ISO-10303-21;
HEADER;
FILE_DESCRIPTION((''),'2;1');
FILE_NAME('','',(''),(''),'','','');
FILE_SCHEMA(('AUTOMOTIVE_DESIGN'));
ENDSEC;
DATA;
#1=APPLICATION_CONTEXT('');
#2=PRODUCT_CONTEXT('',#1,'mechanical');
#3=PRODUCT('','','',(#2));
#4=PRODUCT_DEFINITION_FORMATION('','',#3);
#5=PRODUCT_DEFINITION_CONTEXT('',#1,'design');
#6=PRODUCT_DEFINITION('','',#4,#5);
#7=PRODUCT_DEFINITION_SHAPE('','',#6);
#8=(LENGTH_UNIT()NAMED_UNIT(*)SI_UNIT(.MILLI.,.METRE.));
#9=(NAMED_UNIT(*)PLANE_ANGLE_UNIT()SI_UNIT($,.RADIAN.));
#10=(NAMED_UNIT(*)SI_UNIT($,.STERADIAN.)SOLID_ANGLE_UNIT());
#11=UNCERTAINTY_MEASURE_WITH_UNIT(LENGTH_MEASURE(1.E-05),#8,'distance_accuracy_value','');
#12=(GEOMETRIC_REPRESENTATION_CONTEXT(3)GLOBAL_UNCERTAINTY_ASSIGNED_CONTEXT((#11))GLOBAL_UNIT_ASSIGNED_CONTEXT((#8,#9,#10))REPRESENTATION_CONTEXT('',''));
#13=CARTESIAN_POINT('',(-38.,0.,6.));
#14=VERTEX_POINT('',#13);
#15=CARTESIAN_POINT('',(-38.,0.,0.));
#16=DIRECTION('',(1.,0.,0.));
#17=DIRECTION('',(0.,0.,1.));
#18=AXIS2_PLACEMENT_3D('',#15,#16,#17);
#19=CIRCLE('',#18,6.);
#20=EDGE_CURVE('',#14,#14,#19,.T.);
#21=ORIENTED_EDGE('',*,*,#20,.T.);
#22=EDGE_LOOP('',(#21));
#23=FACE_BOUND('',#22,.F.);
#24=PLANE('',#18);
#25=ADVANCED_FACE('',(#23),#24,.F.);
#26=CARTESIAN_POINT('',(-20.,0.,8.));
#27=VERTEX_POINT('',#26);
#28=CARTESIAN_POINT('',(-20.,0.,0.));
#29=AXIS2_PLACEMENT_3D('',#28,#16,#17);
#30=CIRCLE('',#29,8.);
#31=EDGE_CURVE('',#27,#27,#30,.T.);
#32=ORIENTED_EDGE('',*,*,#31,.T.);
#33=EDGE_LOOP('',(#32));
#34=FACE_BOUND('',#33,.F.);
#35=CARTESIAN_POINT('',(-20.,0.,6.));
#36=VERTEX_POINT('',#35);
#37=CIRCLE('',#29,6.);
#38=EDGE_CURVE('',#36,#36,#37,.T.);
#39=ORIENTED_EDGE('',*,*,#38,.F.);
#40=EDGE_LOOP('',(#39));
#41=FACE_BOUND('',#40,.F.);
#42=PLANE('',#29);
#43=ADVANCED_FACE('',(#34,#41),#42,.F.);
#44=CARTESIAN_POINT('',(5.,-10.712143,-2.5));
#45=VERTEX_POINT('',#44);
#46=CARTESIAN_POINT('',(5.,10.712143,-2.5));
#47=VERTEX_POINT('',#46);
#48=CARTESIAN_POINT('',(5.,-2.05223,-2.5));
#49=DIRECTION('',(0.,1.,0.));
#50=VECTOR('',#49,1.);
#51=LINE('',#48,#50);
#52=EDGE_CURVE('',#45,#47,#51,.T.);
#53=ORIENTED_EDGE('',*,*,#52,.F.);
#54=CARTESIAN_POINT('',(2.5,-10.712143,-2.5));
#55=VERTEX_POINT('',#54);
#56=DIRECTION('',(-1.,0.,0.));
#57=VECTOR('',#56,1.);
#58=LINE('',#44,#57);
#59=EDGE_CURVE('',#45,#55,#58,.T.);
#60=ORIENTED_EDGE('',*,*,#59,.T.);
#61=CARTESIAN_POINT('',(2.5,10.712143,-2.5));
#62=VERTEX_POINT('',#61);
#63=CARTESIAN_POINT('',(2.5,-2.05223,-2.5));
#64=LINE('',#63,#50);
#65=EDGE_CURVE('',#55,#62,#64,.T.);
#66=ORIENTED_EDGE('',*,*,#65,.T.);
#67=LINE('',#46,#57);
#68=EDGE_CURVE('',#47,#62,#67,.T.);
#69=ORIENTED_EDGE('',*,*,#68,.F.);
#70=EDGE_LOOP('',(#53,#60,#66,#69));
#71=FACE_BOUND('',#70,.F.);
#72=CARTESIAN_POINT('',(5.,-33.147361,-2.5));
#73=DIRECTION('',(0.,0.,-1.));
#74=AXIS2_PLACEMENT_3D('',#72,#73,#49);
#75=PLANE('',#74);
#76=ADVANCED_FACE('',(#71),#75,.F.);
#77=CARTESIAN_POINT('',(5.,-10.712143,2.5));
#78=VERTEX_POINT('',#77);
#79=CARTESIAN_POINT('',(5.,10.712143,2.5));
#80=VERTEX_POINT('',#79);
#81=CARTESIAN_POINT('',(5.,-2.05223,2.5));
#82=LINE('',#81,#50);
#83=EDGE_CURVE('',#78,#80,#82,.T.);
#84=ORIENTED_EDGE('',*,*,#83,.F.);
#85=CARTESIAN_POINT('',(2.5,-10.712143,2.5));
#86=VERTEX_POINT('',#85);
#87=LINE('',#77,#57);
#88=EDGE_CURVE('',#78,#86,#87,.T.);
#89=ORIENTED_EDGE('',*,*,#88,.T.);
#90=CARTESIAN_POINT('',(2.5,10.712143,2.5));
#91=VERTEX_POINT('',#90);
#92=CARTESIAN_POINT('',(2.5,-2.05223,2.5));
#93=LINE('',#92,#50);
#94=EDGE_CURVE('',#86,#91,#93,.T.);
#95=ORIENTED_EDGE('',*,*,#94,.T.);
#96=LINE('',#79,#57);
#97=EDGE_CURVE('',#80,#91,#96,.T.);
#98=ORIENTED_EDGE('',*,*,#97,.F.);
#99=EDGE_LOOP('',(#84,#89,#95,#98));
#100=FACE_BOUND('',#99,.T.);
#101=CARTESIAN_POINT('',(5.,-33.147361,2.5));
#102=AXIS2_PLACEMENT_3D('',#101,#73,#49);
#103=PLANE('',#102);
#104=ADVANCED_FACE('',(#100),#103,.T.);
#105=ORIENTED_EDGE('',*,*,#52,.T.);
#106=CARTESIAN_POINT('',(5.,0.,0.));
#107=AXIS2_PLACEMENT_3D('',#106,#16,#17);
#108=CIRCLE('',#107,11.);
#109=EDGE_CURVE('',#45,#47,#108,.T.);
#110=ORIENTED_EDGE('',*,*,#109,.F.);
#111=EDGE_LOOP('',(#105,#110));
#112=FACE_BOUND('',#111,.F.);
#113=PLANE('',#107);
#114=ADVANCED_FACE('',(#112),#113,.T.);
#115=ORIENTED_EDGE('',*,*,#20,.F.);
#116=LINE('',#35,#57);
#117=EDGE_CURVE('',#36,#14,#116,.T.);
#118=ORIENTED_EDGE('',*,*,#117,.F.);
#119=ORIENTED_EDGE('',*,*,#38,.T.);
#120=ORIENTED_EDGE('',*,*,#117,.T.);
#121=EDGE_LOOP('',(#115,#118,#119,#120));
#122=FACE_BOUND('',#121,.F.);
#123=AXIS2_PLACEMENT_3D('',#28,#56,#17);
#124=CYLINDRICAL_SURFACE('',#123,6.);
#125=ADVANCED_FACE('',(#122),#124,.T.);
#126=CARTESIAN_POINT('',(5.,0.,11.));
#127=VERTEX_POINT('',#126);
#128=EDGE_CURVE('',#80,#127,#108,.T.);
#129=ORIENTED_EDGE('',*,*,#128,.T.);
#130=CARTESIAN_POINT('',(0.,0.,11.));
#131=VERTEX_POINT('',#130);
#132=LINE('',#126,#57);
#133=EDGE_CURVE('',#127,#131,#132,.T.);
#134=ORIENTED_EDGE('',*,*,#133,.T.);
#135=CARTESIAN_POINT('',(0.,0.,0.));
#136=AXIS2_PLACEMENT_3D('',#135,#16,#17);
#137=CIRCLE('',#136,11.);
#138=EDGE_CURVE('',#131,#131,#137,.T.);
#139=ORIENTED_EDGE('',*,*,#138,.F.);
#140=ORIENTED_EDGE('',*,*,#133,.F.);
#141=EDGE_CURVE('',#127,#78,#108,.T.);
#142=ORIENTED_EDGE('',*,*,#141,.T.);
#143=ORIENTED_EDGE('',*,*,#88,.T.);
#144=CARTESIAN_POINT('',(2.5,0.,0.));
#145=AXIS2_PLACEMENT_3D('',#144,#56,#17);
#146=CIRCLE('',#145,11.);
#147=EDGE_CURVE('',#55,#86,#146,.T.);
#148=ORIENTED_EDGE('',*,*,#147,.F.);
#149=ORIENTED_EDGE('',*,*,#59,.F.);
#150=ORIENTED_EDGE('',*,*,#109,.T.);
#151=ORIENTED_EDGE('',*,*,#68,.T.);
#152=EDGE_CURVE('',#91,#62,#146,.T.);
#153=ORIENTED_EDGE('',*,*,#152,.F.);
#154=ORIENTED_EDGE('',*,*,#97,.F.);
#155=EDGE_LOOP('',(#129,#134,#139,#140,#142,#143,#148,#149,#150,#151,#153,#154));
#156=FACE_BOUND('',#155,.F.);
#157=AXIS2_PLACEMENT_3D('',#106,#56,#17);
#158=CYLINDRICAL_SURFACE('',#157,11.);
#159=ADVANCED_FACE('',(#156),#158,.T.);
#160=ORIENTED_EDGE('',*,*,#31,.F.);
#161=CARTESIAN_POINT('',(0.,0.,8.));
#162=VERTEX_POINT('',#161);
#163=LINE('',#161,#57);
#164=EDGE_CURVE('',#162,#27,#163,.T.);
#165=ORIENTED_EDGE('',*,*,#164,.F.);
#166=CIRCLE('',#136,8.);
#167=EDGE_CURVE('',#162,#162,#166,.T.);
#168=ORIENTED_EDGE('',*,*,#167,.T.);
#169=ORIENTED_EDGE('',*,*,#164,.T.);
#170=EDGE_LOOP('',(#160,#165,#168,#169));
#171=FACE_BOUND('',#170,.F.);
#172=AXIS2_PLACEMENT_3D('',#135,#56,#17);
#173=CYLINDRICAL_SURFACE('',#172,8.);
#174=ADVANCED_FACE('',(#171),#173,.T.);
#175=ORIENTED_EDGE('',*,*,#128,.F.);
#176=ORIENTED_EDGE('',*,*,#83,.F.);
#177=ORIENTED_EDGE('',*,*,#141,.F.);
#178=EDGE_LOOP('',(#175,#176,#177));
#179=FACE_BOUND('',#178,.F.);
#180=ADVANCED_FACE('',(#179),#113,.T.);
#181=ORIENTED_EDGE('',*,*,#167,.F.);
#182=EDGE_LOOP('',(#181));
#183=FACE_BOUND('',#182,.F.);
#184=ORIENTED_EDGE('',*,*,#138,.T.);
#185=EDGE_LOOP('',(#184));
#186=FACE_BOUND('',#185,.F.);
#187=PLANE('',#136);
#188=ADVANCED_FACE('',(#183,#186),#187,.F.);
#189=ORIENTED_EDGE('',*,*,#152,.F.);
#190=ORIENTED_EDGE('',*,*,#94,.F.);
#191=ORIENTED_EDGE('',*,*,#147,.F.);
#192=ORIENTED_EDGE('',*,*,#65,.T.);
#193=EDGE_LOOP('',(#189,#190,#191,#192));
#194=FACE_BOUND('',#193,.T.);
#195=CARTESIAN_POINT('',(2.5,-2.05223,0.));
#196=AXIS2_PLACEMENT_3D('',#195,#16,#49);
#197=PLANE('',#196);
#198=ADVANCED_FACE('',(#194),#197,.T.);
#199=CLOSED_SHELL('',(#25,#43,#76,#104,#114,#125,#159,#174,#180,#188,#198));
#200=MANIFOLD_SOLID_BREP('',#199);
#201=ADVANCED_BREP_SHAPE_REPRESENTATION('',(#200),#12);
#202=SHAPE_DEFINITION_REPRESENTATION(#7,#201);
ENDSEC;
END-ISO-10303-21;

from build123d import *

# Parameters (mm, degrees)
F2_W     = 62.190262
F2_H     = 5
F3_DEPTH = 2.5


with BuildPart() as f1:
    # F0 (on Front) → F1 (revolve)
    with BuildSketch(Plane.XZ):
        Polygon((-38, 6), (-38, 0), (5, 0), (5, 11), (0, 11), (0, 8), (-20, 8), (-20, 6), align=None)
    revolve(axis=Axis((-10.440066, 0, 0), (1, 0, 0)))

    # F2 (on face) → F3 (cut)
    with BuildSketch(Plane.YZ.offset(5)):
        with Locations((-2.05223, 0)):
            Rectangle(F2_W, F2_H)
    extrude(amount=-F3_DEPTH, mode=Mode.SUBTRACT)


solid = f1.part
